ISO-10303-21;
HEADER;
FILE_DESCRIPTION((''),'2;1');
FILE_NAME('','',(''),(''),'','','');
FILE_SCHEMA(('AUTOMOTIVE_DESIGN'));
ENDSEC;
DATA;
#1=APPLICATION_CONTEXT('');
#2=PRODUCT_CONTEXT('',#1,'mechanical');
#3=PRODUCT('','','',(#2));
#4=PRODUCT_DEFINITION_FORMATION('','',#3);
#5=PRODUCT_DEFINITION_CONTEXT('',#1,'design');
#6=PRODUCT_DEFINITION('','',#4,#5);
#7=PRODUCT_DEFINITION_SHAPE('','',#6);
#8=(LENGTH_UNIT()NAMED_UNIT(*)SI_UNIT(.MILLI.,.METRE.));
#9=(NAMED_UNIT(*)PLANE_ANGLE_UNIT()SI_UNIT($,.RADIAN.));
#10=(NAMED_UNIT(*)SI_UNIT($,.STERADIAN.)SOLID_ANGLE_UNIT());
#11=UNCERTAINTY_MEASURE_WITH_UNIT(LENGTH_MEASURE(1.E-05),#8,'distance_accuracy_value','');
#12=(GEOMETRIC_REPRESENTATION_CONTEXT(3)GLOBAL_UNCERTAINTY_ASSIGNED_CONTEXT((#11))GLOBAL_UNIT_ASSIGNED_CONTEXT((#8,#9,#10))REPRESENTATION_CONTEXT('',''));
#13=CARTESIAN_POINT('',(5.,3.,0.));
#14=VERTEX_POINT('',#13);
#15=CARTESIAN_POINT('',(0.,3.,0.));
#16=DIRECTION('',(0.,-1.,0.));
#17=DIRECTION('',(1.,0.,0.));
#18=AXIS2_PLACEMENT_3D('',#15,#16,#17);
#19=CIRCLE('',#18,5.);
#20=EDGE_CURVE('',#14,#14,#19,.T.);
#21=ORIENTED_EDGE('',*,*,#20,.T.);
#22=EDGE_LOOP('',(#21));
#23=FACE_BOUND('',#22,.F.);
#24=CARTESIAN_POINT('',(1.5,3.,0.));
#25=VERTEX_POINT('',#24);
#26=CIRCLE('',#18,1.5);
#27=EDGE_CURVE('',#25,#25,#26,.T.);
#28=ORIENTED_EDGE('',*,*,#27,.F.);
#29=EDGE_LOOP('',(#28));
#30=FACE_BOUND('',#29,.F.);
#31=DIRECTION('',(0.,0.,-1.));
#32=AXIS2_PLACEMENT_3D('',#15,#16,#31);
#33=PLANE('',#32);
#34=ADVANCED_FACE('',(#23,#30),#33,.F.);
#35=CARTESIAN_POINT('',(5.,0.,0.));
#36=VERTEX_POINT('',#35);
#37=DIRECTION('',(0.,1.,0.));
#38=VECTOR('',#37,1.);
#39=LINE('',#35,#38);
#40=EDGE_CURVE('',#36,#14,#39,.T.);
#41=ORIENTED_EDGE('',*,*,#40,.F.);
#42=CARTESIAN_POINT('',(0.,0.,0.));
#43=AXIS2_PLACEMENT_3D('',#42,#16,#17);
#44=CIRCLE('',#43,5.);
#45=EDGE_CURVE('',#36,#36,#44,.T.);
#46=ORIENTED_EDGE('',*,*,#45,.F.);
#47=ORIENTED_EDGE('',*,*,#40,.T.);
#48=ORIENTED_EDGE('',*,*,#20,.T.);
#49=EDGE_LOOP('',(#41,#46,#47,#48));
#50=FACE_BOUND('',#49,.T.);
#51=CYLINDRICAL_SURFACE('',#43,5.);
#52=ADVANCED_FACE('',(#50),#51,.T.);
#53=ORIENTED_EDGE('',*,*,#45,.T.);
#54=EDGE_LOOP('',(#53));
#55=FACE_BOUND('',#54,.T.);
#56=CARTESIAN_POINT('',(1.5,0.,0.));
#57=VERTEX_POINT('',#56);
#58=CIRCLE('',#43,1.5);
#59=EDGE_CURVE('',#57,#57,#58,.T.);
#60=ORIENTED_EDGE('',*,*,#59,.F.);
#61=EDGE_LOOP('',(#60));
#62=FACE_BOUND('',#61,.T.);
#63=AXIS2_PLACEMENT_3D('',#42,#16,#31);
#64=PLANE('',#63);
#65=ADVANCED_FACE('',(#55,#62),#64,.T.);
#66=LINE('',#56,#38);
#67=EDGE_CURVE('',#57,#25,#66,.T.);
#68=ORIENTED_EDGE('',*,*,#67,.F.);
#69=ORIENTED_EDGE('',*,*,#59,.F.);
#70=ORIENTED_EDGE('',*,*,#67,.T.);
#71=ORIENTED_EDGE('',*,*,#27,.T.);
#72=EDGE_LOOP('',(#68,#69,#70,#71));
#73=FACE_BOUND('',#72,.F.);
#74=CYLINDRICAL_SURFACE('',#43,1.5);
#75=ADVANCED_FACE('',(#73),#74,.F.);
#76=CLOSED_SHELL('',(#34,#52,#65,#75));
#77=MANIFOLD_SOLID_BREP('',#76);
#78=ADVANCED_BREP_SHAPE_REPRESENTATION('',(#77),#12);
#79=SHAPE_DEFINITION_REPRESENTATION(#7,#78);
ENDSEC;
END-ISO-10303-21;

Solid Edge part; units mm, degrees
sketch "Sketch1" plane through (0, 0, 0) normal (0, -1, 0) x (1, 0, 0)
  circle A0 centre (0, 0) radius 5
  circle A1 centre (0, 0) radius 1.5
extrude "Protrusion1" add sketch "Sketch1" against normal blind 3
